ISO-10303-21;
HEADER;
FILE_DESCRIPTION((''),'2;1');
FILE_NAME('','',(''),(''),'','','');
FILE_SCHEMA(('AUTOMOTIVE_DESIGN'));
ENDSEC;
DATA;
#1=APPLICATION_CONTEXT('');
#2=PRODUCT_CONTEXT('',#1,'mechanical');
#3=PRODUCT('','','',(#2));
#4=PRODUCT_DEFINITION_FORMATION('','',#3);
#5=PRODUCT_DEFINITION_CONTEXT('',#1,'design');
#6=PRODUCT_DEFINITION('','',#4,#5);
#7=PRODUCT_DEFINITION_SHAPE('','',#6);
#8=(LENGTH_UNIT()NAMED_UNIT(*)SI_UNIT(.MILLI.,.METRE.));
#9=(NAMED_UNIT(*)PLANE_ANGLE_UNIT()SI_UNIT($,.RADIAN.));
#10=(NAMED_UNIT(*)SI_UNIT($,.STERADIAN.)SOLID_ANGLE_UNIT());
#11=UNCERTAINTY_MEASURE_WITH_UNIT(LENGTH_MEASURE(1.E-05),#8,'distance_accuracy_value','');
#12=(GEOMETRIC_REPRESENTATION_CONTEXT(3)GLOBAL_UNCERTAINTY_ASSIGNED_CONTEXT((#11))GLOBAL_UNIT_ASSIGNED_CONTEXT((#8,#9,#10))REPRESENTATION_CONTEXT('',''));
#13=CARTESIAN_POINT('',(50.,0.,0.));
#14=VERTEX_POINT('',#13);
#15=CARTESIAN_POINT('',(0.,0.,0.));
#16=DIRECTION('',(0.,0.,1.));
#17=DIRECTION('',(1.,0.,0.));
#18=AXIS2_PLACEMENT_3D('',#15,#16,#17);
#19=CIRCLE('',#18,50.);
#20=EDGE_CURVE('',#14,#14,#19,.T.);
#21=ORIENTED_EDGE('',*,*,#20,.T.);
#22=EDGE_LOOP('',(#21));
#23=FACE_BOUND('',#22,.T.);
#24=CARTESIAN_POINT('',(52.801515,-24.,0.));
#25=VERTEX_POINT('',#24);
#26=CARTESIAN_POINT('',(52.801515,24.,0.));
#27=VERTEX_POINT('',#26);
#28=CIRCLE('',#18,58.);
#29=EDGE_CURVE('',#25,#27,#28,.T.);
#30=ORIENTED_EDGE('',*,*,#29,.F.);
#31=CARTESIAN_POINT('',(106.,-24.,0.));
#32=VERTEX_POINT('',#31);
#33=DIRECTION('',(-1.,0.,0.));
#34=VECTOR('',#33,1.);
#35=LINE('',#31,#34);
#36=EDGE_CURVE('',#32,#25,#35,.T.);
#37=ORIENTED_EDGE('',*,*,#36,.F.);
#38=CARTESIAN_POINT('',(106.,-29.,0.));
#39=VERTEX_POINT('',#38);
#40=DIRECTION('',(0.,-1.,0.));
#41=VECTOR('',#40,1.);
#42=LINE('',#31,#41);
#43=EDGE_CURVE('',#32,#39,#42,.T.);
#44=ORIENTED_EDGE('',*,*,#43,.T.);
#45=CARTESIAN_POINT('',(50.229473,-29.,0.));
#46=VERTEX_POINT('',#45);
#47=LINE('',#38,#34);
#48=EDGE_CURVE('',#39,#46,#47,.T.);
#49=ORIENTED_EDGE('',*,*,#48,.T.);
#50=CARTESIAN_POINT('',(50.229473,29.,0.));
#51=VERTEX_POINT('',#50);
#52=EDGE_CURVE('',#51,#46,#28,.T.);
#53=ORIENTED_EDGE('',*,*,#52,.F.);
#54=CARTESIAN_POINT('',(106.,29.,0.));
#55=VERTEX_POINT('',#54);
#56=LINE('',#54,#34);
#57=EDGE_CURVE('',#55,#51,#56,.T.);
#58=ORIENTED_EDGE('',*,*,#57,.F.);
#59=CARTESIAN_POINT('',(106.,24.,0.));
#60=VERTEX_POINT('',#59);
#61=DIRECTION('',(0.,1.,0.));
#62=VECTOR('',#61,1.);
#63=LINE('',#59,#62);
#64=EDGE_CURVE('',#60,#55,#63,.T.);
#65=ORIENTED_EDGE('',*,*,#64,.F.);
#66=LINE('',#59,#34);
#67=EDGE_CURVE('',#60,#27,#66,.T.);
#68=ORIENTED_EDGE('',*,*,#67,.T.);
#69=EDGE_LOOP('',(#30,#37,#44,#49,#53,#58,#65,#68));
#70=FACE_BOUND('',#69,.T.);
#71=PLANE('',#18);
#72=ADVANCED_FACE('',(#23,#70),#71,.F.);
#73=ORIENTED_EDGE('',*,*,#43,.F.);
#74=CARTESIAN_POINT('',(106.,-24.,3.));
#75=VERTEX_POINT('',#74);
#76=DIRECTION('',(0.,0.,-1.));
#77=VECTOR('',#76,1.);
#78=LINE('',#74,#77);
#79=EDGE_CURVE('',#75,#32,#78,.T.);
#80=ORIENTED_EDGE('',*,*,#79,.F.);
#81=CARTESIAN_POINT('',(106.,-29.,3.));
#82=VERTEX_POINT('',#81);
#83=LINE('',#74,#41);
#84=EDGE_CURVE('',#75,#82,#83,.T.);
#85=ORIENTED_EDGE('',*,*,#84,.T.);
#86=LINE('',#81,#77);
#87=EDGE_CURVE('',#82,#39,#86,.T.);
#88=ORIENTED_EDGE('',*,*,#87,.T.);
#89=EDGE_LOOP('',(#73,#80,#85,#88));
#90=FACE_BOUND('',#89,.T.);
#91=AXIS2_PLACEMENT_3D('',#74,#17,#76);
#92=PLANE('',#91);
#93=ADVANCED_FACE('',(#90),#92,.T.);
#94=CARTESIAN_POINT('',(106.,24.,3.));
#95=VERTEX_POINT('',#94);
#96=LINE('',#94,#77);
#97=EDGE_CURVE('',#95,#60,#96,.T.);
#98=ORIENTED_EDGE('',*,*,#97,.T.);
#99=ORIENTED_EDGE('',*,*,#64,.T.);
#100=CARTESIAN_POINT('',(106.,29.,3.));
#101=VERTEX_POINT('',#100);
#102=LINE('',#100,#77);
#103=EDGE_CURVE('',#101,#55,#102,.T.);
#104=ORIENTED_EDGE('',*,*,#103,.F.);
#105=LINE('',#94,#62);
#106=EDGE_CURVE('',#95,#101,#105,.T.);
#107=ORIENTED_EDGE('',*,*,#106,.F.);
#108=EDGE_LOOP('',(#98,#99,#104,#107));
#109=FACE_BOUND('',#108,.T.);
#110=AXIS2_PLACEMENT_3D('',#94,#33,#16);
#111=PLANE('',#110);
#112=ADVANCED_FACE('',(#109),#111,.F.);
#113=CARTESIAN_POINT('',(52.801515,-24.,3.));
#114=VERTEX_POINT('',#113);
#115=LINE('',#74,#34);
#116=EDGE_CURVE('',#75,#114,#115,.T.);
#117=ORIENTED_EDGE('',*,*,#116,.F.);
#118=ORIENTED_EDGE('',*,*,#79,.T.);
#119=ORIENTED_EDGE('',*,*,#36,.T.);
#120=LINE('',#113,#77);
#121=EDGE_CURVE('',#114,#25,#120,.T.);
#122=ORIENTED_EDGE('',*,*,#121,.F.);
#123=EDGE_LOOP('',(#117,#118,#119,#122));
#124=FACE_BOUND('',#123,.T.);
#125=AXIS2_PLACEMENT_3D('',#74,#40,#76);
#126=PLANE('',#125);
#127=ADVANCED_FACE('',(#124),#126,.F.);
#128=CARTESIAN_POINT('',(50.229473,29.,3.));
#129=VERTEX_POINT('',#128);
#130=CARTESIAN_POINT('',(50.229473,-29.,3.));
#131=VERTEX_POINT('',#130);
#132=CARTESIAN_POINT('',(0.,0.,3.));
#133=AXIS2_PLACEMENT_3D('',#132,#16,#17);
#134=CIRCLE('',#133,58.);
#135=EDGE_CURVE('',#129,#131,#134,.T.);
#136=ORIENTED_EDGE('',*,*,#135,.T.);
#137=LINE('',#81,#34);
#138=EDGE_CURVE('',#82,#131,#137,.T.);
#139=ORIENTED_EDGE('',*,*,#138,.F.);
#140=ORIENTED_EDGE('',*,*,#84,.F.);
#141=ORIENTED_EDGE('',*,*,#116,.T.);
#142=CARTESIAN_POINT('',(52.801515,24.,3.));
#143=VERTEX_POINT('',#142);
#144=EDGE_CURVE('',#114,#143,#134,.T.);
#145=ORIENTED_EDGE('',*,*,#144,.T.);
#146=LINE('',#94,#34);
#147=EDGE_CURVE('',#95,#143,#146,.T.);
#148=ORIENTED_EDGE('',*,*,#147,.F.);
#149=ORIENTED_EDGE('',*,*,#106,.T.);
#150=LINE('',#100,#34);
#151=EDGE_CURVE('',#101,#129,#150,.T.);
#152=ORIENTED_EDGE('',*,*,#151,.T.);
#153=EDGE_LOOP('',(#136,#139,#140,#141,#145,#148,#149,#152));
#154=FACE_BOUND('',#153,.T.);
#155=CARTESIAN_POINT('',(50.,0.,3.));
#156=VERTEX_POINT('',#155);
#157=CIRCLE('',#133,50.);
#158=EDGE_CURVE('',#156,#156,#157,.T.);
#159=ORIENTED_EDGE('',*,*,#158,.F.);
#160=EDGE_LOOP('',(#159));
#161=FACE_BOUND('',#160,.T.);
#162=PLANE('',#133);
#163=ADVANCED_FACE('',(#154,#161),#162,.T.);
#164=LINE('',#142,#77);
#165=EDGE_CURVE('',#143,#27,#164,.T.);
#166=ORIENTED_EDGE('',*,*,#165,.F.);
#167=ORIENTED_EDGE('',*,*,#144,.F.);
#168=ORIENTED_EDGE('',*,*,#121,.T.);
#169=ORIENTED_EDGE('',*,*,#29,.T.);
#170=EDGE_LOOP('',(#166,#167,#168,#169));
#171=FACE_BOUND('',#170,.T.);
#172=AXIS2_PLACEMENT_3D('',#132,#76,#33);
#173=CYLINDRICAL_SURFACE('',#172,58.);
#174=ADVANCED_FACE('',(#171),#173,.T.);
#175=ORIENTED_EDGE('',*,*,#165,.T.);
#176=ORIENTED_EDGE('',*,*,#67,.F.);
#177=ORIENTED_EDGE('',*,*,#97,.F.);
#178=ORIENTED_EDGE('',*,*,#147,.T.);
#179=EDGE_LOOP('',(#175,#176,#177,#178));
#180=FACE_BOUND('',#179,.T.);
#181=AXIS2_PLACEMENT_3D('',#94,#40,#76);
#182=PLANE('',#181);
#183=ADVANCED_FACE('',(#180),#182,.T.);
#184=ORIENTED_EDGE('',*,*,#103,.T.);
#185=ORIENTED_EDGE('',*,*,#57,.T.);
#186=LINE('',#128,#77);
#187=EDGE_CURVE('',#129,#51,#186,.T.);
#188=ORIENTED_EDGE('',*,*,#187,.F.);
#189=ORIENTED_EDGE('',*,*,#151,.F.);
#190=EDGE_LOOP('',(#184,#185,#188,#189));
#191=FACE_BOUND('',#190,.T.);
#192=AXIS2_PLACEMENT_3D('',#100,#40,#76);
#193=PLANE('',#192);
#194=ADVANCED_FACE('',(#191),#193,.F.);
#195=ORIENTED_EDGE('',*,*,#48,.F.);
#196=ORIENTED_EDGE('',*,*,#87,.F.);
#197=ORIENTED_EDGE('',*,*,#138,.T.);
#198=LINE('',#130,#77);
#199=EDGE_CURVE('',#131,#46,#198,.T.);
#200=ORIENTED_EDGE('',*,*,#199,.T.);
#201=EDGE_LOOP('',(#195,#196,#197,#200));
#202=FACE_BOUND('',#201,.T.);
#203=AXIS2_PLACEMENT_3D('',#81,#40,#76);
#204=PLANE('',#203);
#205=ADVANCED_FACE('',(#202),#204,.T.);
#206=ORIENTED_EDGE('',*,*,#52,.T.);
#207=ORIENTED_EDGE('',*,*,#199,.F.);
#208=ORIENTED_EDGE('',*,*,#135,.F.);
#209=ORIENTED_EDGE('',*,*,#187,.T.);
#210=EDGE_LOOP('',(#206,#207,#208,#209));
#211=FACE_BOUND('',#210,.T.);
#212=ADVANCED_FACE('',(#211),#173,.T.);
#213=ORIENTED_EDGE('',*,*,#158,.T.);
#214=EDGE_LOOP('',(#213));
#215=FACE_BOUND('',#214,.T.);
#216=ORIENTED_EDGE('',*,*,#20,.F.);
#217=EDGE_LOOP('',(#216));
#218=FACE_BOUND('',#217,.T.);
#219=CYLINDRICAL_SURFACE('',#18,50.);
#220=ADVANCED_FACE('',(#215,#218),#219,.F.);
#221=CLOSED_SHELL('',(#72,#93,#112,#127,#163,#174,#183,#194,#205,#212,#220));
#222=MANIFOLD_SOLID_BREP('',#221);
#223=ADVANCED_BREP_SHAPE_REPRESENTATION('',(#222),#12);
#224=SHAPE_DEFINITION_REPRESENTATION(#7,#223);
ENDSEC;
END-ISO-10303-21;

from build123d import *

# Parameters (mm, degrees)
EXTRUDE_1_DEPTH     = 3
SKETCH_5_R          = 50
CUT_EXTRUDE_1_DEPTH = 3


with BuildPart() as part:
    # 草圖1 → 填料-伸長1 (new body)
    with BuildSketch(Plane.XY):
        with BuildLine():
            Line((106, 24), (52.80151513, 24))
            ThreePointArc((52.80151513, 24), (58, 0), (52.80151513, -24))
            Line((52.80151513, -24), (106, -24))
            Line((106, -24), (106, -29))
            Line((106, -29), (50.229473419, -29))
            ThreePointArc((50.229473419, -29), (-58, 0), (50.229473419, 29))
            Line((50.229473419, 29), (106, 29))
            Line((106, 29), (106, 24))
        make_face()
    extrude(amount=EXTRUDE_1_DEPTH)

    # 草圖5 → 除料-伸長1 (cut)
    with BuildSketch(Plane.XY.offset(3)):
        Circle(SKETCH_5_R)
    extrude(amount=-CUT_EXTRUDE_1_DEPTH, mode=Mode.SUBTRACT)


solid = part.part
